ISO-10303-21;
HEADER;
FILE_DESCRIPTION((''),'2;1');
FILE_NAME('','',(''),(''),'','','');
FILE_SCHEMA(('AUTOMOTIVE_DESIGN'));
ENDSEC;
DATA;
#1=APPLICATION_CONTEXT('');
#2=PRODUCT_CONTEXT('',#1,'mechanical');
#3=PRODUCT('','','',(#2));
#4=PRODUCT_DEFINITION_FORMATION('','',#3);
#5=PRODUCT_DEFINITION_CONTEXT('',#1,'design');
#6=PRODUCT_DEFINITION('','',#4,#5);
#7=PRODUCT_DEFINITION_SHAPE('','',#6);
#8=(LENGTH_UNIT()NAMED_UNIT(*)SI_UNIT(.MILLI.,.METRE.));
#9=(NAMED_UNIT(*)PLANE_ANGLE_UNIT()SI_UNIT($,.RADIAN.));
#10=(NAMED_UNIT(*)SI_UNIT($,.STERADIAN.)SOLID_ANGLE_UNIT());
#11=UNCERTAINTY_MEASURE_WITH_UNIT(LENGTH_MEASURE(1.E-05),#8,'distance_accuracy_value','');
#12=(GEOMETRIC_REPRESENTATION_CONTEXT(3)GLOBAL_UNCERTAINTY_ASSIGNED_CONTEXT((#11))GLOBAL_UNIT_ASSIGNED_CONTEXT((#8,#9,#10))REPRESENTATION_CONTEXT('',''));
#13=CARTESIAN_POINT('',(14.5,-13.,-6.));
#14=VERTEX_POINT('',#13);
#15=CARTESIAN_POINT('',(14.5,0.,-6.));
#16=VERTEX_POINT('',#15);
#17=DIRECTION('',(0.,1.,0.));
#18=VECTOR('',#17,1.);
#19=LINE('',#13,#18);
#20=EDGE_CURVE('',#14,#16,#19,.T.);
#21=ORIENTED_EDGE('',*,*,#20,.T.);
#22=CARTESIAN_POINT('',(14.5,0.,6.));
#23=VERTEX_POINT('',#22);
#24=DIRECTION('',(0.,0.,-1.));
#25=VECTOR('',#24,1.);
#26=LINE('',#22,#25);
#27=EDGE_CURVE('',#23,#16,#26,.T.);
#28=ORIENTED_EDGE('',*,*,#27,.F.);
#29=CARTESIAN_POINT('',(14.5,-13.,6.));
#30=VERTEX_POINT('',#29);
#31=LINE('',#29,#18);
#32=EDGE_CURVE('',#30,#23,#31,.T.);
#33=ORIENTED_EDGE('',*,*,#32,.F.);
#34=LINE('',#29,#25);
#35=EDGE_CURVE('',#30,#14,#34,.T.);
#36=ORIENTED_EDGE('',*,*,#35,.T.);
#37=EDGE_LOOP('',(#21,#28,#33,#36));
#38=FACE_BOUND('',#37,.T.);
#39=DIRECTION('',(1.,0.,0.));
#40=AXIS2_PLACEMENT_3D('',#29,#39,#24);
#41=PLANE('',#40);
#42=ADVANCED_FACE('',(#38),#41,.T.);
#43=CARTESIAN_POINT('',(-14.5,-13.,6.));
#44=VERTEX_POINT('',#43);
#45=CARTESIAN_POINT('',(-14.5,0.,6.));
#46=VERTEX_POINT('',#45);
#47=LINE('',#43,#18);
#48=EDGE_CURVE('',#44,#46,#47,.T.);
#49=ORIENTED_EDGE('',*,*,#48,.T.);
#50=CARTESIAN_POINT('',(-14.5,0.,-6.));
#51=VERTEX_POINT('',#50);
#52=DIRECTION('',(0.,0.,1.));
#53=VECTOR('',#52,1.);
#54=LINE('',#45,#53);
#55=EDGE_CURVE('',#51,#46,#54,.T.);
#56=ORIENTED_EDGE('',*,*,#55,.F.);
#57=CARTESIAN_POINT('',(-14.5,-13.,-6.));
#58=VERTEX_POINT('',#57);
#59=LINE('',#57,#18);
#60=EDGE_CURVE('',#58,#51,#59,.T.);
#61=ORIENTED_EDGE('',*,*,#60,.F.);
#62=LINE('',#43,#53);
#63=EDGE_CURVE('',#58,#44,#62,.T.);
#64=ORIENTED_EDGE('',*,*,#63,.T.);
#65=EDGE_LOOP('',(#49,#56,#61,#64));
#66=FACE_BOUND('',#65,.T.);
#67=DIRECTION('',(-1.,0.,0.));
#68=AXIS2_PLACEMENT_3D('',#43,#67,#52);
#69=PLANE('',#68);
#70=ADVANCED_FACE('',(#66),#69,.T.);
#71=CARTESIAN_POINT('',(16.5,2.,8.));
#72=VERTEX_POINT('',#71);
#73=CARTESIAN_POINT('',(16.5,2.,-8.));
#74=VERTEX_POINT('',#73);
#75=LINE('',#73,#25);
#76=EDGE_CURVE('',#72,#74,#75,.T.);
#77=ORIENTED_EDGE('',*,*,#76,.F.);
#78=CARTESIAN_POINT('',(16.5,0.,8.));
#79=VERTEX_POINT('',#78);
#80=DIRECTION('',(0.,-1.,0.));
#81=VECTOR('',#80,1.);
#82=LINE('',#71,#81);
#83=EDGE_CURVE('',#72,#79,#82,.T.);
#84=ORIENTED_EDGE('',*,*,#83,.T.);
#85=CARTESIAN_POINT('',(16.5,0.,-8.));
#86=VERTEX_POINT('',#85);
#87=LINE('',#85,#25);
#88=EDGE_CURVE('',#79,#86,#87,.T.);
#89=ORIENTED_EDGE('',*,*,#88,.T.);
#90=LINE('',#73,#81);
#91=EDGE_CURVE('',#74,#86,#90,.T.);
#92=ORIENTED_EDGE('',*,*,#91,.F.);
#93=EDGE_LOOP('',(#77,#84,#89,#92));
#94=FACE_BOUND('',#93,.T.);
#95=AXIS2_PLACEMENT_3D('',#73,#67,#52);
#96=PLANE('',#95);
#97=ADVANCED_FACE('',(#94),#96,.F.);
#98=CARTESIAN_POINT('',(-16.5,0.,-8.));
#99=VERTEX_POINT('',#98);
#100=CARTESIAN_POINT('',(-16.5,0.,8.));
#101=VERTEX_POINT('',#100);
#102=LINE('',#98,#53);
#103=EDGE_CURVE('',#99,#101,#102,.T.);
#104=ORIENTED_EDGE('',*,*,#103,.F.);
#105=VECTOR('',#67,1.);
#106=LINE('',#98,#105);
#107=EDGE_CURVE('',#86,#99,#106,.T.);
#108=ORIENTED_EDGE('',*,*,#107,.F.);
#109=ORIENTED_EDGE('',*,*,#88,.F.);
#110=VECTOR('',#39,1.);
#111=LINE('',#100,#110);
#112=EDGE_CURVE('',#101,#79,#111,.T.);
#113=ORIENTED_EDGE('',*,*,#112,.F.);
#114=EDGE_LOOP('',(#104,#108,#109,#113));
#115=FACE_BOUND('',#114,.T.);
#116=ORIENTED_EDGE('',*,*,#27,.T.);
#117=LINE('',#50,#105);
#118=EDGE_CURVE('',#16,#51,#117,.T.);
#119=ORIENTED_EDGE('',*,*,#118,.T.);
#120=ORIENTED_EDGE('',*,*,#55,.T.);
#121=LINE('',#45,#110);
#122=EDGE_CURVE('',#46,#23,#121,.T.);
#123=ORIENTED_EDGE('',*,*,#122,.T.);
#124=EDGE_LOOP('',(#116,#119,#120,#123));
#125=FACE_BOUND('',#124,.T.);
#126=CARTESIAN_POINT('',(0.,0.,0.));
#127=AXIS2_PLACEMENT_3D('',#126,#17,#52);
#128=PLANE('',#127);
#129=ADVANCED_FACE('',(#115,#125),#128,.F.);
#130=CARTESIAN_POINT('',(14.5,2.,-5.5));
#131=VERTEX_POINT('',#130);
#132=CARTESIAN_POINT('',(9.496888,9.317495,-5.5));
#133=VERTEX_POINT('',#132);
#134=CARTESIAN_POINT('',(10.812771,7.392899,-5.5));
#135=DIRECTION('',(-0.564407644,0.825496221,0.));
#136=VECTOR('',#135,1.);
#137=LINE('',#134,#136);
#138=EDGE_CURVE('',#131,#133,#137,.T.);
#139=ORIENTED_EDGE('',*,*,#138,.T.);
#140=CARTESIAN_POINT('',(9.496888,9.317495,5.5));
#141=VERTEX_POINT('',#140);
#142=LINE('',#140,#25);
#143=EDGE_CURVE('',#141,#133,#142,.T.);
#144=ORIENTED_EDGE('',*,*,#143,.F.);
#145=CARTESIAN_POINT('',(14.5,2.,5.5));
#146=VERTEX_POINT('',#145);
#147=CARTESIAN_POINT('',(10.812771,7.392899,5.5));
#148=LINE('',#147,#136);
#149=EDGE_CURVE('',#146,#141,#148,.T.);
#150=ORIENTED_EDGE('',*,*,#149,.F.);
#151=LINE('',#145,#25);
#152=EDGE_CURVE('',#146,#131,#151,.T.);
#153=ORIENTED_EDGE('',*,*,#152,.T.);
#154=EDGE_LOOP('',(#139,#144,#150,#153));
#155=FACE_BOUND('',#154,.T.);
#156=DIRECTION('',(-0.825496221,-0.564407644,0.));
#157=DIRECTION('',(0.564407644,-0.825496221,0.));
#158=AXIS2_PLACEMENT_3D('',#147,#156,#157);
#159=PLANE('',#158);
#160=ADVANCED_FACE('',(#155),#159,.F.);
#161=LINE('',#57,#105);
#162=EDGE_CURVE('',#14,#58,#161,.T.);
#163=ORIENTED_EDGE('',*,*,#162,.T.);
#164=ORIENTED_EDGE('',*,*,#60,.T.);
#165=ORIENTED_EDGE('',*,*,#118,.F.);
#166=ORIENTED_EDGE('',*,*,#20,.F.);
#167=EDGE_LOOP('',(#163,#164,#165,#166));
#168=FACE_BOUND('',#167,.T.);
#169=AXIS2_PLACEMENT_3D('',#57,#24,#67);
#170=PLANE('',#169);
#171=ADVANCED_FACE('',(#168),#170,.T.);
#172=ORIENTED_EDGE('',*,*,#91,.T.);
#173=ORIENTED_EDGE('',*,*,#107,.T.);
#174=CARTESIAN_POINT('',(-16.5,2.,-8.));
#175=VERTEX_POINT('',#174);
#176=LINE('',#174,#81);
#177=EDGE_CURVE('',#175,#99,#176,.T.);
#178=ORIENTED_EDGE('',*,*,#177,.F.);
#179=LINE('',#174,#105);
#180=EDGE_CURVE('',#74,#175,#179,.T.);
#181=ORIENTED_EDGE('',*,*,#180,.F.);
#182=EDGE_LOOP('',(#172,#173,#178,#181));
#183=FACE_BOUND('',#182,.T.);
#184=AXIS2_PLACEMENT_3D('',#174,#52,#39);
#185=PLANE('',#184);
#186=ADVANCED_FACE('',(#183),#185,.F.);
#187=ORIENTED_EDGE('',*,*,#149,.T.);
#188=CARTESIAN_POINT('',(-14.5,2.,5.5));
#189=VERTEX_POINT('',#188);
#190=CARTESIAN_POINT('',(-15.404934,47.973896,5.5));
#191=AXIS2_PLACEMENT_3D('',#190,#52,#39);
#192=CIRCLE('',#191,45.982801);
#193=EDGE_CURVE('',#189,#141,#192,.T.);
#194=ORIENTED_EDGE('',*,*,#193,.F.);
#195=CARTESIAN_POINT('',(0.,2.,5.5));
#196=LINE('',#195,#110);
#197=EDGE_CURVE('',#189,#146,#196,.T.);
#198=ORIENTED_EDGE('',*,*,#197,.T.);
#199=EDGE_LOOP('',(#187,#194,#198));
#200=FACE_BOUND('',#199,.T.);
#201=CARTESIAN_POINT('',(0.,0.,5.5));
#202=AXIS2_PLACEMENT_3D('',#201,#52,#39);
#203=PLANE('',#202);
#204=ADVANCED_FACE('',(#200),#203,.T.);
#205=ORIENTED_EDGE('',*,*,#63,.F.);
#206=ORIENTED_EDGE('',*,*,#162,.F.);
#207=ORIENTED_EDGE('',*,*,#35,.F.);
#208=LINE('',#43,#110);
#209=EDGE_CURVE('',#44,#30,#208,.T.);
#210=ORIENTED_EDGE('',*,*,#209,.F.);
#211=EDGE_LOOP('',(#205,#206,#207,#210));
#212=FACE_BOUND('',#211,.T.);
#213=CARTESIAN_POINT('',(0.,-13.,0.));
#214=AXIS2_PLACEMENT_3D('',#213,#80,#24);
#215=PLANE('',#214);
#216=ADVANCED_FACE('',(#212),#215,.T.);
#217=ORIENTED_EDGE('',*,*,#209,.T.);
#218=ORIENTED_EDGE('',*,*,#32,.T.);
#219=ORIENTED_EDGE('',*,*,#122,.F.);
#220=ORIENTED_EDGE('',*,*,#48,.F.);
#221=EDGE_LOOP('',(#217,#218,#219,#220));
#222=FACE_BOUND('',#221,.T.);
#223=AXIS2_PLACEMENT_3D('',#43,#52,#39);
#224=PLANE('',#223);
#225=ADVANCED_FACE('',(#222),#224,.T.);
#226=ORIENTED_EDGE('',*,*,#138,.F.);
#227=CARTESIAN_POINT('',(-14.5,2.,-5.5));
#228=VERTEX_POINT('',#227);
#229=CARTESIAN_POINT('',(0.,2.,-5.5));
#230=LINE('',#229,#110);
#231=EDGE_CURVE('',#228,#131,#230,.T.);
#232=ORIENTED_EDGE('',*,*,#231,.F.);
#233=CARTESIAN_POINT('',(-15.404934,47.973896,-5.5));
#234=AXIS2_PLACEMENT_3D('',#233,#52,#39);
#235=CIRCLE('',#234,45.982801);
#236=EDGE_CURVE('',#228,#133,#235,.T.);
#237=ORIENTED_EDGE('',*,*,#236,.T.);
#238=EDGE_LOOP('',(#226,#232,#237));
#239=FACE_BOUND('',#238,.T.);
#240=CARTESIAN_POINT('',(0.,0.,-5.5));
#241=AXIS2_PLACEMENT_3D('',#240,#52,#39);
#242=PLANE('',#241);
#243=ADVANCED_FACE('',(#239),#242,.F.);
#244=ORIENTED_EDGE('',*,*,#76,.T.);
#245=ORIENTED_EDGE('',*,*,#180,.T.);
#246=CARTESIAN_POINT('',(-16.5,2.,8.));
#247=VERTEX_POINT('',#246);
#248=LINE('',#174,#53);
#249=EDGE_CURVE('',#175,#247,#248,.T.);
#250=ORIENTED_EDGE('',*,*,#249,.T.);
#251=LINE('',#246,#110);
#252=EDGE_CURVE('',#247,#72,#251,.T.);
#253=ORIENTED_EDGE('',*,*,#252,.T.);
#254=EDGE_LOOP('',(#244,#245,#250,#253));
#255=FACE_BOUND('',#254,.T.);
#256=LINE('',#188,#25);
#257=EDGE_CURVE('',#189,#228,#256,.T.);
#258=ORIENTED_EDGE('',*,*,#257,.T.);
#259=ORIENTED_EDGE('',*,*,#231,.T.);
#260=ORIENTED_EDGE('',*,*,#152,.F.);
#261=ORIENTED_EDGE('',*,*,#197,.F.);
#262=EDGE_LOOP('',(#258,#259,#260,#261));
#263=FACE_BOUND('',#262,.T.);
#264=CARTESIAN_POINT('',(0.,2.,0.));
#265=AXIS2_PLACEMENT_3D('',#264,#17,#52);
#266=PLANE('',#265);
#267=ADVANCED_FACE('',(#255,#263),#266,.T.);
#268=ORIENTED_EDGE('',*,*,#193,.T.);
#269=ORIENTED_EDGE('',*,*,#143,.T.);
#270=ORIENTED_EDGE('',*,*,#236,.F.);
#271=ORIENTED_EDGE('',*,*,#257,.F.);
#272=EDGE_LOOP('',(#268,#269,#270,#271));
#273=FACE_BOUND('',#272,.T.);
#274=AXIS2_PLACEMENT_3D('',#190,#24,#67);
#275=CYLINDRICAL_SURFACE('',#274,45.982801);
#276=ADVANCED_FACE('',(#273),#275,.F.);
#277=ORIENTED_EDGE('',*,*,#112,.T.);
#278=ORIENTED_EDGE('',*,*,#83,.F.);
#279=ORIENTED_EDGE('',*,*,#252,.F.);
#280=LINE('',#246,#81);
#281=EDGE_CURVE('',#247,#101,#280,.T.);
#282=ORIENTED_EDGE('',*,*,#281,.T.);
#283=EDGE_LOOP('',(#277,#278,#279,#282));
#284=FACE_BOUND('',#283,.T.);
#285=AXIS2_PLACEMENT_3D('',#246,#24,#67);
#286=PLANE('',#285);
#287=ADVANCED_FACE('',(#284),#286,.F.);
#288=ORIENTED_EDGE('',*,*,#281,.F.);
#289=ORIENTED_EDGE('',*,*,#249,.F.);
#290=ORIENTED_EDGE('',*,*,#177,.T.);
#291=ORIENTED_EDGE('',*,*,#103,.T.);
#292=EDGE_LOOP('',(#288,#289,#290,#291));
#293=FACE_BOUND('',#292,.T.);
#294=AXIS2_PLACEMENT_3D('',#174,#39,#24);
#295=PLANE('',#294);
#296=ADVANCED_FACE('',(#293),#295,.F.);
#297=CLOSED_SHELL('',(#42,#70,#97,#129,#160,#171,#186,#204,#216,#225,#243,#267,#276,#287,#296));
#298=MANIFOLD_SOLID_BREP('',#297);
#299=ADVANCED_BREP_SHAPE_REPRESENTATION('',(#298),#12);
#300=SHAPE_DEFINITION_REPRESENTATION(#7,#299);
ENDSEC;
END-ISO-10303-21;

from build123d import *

# Parameters (mm, degrees)
SKETCH_1_W      = 33
SKETCH_1_H      = 16
EXTRUDE_1_DEPTH = 2
EXTRUDE_2_DEPTH = 5.5
SKETCH_3_W      = 29
SKETCH_3_H      = 12
EXTRUDE_3_DEPTH = 13


with BuildPart() as part:
    # 草图1 → 凸台-拉伸1 (new body)
    with BuildSketch(Plane(origin=(0, 0, 0), x_dir=(1, 0, 0), z_dir=(0, 1, 0))):
        Rectangle(SKETCH_1_W, SKETCH_1_H)
    extrude(amount=EXTRUDE_1_DEPTH)

    # 草图2 → 凸台-拉伸2 (add, symmetric)
    with BuildSketch(Plane.XY):
        with BuildLine():
            ThreePointArc((-14.5, 2), (-1.99286503, 3.990553371), (9.496887626, 9.317495439))
            Line((9.496887626, 9.317495439), (14.5, 2))
            Line((14.5, 2), (-14.5, 2))
        make_face()
    extrude(amount=EXTRUDE_2_DEPTH, both=True)

    # 草图3 → 凸台-拉伸3 (add)
    with BuildSketch(Plane(origin=(0, 0, 0), x_dir=(1, 0, 0), z_dir=(0, 1, 0))):
        Rectangle(SKETCH_3_W, SKETCH_3_H)
    extrude(amount=-EXTRUDE_3_DEPTH)


solid = part.part
